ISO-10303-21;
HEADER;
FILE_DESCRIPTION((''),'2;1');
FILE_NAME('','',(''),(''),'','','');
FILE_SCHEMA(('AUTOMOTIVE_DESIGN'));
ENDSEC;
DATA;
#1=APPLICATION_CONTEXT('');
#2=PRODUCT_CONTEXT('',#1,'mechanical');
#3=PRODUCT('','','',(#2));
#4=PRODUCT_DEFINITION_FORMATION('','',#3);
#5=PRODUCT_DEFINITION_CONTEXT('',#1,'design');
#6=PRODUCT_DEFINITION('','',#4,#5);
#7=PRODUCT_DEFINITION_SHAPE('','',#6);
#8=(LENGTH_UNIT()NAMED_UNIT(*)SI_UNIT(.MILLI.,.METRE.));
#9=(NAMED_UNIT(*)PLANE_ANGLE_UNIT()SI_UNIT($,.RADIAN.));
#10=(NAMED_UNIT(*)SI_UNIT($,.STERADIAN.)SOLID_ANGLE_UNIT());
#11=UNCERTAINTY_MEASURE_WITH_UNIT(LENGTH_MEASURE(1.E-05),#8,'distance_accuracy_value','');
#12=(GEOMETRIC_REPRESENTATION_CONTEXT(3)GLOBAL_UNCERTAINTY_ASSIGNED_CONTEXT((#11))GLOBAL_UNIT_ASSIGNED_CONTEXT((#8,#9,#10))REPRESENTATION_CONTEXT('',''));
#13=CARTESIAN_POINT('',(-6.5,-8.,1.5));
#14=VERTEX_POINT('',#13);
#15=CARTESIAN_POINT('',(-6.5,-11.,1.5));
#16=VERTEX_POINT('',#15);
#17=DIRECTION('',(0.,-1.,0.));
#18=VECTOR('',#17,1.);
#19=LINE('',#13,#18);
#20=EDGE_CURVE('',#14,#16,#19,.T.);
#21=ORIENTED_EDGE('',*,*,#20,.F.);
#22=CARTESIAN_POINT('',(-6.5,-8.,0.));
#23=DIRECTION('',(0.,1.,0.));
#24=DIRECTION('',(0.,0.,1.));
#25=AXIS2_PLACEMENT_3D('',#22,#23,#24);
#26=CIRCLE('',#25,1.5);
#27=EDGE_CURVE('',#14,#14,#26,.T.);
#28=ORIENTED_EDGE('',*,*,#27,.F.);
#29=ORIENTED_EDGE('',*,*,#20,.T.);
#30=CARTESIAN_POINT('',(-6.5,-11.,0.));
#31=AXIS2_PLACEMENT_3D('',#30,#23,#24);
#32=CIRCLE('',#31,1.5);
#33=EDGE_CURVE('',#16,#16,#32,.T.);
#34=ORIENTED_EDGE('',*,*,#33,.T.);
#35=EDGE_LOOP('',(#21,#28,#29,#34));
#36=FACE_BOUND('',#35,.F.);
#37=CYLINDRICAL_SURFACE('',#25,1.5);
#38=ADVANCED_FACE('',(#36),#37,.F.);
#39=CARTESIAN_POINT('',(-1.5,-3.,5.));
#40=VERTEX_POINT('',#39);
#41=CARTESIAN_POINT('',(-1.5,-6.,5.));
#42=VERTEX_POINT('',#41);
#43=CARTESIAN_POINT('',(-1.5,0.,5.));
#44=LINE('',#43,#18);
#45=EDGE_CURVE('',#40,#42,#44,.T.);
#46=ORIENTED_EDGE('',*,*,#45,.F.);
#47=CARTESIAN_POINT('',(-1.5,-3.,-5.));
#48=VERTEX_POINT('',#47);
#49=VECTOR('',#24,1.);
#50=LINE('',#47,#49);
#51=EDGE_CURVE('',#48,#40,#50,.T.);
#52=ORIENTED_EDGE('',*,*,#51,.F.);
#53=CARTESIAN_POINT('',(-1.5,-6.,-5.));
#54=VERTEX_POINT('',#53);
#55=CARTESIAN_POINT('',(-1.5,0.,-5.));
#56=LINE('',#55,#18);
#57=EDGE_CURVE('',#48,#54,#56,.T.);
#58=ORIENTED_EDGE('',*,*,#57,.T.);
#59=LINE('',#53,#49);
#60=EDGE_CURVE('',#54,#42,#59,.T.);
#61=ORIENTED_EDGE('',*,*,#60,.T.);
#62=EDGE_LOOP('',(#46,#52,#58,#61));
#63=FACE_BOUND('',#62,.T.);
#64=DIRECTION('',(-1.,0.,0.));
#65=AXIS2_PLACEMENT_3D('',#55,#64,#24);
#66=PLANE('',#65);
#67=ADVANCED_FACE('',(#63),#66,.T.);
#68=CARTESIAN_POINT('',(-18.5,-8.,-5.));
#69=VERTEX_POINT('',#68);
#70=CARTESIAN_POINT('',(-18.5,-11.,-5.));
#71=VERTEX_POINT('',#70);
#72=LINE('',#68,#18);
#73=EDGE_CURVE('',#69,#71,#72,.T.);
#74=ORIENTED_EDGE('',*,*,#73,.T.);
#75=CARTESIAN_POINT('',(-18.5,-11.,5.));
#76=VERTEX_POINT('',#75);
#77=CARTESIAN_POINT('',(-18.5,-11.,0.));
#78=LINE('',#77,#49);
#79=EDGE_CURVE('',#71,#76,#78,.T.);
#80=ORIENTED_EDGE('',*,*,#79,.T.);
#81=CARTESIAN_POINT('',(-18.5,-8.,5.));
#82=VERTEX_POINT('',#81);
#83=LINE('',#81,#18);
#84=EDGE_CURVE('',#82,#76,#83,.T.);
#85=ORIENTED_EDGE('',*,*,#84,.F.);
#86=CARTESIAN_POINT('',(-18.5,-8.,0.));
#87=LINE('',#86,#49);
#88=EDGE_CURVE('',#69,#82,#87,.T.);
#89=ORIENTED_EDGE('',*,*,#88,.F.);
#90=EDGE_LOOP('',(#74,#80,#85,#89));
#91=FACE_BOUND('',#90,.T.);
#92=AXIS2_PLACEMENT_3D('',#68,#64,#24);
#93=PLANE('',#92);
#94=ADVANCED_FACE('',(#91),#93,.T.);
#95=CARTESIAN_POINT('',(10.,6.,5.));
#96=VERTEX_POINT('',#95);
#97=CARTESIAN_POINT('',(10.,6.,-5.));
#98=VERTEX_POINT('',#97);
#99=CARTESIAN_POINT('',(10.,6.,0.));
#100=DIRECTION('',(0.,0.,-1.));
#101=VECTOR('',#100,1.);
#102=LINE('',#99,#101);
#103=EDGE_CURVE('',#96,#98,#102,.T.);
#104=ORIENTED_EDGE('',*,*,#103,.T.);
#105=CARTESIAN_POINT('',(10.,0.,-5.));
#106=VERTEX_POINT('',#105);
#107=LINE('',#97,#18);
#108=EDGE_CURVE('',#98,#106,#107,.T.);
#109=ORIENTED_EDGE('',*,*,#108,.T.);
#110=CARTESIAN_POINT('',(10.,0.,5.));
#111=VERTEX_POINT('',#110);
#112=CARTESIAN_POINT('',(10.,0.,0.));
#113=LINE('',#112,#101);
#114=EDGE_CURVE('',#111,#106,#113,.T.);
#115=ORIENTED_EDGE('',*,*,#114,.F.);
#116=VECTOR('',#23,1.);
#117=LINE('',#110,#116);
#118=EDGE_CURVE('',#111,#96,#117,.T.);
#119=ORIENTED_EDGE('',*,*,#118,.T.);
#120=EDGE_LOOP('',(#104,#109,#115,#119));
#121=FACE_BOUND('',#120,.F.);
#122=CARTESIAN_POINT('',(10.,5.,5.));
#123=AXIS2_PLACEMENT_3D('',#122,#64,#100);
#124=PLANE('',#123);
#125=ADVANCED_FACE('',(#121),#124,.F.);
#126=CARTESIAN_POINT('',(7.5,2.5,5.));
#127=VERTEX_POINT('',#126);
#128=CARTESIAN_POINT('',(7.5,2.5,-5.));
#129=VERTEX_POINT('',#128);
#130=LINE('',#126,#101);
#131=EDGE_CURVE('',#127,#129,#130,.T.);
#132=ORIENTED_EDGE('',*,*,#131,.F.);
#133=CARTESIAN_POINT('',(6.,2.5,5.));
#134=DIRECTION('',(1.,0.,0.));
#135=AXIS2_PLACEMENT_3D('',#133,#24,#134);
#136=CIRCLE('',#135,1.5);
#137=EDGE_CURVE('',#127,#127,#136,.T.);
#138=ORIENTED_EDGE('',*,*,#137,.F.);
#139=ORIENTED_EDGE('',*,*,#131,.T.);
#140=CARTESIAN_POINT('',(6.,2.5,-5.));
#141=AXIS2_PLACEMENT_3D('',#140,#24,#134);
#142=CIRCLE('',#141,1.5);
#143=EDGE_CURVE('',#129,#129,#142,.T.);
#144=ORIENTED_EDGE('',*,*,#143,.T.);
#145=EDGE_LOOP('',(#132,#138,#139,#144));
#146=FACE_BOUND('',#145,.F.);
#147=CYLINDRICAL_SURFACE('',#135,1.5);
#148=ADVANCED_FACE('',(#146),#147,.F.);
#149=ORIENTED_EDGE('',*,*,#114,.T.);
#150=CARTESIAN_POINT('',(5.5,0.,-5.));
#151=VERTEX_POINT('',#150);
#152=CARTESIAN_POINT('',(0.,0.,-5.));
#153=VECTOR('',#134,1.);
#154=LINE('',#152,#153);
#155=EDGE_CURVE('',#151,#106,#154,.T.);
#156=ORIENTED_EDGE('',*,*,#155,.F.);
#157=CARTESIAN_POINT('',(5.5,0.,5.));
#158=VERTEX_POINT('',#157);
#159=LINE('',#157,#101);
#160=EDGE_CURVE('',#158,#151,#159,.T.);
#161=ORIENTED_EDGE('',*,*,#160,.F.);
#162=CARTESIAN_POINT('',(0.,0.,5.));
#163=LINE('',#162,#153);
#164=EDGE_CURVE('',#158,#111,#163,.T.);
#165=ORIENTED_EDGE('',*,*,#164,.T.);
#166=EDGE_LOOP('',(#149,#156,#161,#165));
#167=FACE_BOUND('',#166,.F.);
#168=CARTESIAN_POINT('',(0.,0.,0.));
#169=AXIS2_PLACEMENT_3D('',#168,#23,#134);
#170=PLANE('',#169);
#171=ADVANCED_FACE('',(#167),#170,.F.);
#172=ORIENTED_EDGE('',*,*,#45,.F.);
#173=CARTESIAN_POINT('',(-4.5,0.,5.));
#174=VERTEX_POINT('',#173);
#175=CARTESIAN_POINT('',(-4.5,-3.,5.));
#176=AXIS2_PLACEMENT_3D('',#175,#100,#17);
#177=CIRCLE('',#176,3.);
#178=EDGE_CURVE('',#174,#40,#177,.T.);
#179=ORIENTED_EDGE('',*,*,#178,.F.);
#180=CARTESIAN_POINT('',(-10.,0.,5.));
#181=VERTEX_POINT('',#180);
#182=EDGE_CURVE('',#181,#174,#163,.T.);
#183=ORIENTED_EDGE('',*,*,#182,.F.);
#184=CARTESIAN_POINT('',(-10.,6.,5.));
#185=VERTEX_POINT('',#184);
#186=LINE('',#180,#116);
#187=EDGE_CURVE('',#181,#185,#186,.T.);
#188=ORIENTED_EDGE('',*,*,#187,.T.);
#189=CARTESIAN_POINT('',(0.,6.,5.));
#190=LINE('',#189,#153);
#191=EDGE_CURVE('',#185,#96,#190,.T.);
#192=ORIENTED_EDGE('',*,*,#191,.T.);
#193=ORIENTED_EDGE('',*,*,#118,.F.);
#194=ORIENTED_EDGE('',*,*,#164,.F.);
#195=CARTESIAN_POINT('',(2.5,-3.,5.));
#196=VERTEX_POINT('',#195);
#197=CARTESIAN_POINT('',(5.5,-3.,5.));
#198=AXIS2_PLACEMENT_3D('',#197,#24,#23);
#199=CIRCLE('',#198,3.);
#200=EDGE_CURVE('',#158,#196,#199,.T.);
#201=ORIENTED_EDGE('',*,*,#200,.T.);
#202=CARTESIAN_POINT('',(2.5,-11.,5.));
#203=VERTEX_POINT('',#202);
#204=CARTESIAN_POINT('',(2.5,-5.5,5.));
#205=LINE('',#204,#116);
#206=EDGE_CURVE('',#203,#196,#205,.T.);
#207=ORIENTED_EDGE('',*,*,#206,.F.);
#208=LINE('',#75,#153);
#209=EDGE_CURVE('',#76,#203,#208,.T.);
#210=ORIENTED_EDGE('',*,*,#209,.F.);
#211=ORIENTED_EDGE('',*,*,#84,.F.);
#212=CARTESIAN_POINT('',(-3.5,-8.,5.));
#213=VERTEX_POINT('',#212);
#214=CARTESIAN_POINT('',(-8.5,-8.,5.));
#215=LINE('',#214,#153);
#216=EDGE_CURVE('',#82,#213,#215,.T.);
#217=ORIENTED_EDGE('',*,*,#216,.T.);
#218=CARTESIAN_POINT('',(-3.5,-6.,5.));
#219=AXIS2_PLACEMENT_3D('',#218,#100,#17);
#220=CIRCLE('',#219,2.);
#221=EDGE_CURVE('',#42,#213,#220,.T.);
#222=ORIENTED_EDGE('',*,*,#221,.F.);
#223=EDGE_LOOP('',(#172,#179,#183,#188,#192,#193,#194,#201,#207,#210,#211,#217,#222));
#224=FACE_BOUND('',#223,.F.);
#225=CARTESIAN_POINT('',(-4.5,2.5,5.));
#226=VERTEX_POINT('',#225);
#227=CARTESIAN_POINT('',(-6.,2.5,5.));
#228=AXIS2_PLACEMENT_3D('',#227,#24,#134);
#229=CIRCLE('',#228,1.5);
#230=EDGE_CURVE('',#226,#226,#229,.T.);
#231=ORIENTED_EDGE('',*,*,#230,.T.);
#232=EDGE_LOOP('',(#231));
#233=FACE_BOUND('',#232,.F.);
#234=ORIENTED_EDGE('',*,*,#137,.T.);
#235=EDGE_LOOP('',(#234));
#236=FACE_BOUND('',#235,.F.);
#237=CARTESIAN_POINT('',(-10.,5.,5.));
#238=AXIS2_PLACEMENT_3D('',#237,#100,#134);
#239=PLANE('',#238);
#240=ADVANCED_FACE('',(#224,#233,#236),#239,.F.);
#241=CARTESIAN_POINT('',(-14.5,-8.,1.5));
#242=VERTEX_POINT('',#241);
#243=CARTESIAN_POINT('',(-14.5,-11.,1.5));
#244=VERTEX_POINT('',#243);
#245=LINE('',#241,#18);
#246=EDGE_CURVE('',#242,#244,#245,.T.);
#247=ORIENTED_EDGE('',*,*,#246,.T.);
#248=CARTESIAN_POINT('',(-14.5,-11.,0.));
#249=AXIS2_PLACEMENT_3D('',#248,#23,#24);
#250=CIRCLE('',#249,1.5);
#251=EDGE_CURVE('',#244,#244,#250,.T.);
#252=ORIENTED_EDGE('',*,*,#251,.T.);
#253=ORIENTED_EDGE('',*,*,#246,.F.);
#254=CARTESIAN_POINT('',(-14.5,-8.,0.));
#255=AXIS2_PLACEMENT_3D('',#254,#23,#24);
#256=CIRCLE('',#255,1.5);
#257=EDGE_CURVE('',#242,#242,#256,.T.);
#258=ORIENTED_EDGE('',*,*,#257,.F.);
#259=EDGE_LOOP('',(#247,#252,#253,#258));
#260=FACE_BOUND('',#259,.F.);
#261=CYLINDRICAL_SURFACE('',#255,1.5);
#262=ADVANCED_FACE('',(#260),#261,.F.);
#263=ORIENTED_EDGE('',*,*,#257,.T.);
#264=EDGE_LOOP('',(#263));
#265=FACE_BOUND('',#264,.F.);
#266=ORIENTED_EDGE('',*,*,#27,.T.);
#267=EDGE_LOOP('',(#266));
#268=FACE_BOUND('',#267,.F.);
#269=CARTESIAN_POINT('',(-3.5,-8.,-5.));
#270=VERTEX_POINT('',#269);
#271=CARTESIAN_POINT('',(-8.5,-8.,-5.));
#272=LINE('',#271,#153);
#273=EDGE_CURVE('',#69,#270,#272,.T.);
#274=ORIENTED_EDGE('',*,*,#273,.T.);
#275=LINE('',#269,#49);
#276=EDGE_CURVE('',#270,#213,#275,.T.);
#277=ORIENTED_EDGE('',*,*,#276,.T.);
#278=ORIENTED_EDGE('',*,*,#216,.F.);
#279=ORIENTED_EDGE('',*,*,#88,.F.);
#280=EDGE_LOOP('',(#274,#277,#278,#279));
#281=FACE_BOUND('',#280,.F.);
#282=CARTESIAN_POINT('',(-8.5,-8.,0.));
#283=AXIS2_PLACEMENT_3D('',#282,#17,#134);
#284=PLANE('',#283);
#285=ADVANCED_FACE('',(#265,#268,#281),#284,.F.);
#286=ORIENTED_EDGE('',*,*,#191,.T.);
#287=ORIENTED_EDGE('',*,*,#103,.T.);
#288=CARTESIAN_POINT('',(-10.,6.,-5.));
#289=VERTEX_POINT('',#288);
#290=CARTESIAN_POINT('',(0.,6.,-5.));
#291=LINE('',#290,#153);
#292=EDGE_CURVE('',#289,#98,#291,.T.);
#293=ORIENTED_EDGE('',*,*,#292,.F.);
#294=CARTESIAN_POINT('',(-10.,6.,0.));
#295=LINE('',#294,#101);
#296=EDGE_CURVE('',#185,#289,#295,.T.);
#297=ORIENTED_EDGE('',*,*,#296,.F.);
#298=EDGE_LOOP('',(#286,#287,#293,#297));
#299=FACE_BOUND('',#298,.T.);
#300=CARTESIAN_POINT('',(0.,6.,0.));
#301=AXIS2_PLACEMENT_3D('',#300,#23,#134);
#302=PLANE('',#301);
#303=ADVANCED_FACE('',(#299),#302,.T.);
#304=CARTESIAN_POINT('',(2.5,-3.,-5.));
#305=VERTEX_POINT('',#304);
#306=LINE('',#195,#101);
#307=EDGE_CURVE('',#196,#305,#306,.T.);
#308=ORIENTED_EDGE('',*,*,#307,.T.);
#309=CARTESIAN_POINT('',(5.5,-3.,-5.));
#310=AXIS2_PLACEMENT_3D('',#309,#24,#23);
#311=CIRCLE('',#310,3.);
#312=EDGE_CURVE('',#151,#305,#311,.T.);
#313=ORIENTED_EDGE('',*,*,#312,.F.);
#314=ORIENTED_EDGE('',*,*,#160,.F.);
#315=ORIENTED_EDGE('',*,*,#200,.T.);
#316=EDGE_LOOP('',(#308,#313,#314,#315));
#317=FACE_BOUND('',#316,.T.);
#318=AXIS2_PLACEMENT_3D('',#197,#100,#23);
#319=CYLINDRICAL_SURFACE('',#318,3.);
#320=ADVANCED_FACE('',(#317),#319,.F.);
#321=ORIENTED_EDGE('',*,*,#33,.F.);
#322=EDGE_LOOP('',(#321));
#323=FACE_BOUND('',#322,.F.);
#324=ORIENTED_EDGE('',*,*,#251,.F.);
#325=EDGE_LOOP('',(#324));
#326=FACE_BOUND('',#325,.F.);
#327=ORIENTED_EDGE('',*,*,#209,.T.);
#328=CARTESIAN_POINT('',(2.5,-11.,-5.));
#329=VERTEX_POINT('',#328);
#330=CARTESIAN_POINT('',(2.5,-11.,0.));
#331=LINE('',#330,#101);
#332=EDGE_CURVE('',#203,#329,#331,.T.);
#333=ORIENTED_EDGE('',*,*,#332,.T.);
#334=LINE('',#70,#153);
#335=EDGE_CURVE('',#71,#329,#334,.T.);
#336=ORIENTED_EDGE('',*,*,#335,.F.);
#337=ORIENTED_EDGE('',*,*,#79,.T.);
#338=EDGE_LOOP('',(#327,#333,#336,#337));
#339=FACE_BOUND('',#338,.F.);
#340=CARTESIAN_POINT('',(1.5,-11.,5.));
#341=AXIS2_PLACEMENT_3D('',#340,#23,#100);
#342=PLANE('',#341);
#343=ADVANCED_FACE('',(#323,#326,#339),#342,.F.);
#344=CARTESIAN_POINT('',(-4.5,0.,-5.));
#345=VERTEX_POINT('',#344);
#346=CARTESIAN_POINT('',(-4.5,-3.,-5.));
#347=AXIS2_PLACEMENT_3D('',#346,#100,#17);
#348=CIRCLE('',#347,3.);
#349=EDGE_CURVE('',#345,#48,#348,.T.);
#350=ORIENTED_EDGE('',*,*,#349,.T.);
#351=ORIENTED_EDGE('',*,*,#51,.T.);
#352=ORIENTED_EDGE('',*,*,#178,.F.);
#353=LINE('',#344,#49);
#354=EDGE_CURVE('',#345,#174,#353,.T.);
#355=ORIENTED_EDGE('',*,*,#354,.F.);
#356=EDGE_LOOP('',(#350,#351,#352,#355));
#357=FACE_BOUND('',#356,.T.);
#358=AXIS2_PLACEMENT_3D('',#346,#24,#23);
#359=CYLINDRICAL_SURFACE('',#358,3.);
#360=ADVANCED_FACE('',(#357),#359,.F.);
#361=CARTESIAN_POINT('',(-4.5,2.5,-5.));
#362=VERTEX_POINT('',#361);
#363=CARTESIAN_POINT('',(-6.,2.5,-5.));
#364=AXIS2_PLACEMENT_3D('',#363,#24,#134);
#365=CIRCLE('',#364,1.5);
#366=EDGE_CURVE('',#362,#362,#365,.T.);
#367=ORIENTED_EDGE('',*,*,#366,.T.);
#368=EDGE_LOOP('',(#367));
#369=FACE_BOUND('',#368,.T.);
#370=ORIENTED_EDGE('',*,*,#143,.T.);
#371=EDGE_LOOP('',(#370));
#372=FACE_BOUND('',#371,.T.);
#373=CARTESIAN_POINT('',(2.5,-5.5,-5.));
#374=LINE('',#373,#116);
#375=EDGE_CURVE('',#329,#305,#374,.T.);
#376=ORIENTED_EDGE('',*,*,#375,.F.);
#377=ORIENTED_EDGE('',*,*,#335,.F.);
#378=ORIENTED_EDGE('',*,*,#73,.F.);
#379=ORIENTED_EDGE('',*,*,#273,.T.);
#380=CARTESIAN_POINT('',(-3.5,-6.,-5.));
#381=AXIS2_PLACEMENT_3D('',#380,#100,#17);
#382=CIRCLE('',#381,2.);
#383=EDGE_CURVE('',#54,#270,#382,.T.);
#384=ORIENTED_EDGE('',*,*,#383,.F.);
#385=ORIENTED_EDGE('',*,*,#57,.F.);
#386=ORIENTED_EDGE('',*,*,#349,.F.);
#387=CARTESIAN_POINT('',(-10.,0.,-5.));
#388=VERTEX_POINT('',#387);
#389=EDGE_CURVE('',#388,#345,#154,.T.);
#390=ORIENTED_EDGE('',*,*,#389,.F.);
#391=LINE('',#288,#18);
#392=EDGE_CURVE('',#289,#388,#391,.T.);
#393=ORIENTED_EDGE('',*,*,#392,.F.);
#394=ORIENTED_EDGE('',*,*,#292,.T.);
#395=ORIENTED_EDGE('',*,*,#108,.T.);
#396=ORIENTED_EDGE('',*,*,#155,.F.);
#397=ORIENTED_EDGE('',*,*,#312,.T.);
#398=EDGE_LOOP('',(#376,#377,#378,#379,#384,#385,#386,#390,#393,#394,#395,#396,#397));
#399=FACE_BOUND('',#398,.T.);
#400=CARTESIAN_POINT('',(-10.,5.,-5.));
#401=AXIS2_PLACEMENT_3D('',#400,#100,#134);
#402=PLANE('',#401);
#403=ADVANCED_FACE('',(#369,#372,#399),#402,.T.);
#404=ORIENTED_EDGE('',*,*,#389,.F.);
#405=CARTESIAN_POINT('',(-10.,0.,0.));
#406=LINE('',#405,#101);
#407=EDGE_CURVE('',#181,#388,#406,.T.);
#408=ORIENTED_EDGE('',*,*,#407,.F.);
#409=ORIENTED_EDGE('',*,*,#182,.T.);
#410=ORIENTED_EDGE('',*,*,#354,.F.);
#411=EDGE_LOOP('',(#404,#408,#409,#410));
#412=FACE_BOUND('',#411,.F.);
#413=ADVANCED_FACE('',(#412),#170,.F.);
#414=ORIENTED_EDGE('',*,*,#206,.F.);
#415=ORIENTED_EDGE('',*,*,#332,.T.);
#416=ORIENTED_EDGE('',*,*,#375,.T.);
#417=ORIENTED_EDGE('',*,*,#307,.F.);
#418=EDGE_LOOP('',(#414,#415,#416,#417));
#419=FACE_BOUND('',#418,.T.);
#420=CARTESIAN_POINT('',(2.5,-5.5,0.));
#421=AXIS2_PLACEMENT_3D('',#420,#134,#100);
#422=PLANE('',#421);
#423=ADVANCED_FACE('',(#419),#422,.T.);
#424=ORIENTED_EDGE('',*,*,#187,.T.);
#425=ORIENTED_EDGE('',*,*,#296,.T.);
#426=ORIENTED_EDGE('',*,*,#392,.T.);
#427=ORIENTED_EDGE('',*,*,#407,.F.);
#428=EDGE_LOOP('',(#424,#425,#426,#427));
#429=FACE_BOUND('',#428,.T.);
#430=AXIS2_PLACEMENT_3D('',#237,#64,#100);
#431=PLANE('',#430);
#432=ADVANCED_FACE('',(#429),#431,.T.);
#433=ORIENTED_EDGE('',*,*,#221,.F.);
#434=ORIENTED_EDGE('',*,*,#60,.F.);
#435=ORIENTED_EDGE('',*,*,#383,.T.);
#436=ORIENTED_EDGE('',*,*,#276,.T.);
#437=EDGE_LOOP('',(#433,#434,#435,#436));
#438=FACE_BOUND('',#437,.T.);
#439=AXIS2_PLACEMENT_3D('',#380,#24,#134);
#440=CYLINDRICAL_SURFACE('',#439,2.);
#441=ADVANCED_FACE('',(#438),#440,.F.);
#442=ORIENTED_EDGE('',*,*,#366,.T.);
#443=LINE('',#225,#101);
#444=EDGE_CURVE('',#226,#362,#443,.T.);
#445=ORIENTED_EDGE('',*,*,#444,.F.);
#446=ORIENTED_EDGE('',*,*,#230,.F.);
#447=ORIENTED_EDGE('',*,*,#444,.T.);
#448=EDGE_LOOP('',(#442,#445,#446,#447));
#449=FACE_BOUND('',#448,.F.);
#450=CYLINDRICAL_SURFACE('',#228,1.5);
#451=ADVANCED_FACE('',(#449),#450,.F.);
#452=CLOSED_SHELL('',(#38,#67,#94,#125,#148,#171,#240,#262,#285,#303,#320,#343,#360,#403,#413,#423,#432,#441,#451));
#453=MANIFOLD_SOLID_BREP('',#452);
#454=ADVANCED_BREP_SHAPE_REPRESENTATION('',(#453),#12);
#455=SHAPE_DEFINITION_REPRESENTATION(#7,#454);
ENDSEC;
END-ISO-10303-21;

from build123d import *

# Parameters (mm, degrees)
SKETCH_1_W          = 20
SKETCH_1_H          = 10
EXTRUDE_1_DEPTH     = 5
SKETCH_2_R          = 1.5
CUT_EXTRUDE_1_DEPTH = 16
SKETCH_3_W          = 3
SKETCH_3_H          = 10
EXTRUDE_2_DEPTH     = 8
SKETCH_6_W          = 20
SKETCH_6_H          = 10
EXTRUDE_4_DEPTH     = 3
SKETCH_7_R          = 1.5
CUT_EXTRUDE_3_DEPTH = 24.157072354
FILLET_2_R          = 3
FILLET_4_R          = 2
SKETCH_11_W         = 10
SKETCH_11_H         = 11
EXTRUDE_7_DEPTH     = 1
FILLET_8_R          = 3
SKETCH_12_W         = 20
SKETCH_12_H         = 10
EXTRUDE_8_DEPTH     = 1


with BuildPart() as part:
    # 草图1 → 凸台-拉伸1 (new body)
    with BuildSketch(Plane(origin=(0, 0, 0), x_dir=(1, 0, 0), z_dir=(0, 1, 0))):
        Rectangle(SKETCH_1_W, SKETCH_1_H)
    extrude(amount=EXTRUDE_1_DEPTH)

    # 草图2 → 切除-拉伸1 (cut, through all)
    with BuildSketch(Plane.XY.offset(5)):
        with Locations((-6, 2.5)):
            Circle(SKETCH_2_R)
        with Locations((6, 2.5)):
            Circle(SKETCH_2_R)
    extrude(amount=-CUT_EXTRUDE_1_DEPTH, mode=Mode.SUBTRACT)

    # 草图3 → 凸台-拉伸2 (add)
    with BuildSketch(Plane.XZ):
        Rectangle(SKETCH_3_W, SKETCH_3_H)
    extrude(amount=EXTRUDE_2_DEPTH)

    # 草图6 → 凸台-拉伸4 (add)
    with BuildSketch(Plane.XZ.offset(8)):
        with Locations((-8.5, 0)):
            Rectangle(SKETCH_6_W, SKETCH_6_H)
    extrude(amount=EXTRUDE_4_DEPTH)

    # 草图7 → 切除-拉伸3 (cut, through all)
    with BuildSketch(Plane(origin=(0, -8, 0), x_dir=(1, 0, 0), z_dir=(0, 1, 0))):
        with Locations(Location((-14.5, 0, 0), (0, 0, 270))):
            Circle(SKETCH_7_R)
        with Locations(Location((-6.5, 0, 0), (0, 0, 270))):
            Circle(SKETCH_7_R)
    extrude(amount=-CUT_EXTRUDE_3_DEPTH, mode=Mode.SUBTRACT)

    # 圆角2
    fillet_2_edges = [part.edges().sort_by_distance(p)[0] for p in [
        (-1.5, 0, 0),
    ]]
    fillet(fillet_2_edges, radius=FILLET_2_R)

    # 圆角4
    fillet_4_edges = [part.edges().sort_by_distance(p)[0] for p in [
        (-1.5, -8, 0),
    ]]
    fillet(fillet_4_edges, radius=FILLET_4_R)

    # 草图11 → 凸台-拉伸7 (add)
    with BuildSketch(Plane(origin=(1.5, 0, 0), x_dir=(0, 0, -1), z_dir=(1, 0, 0))):
        with Locations((0, -5.5)):
            Rectangle(SKETCH_11_W, SKETCH_11_H)
    extrude(amount=EXTRUDE_7_DEPTH)

    # 圆角8
    fillet_8_edges = [part.edges().sort_by_distance(p)[0] for p in [
        (2.5, 0, 0),
    ]]
    fillet(fillet_8_edges, radius=FILLET_8_R)

    # 草图12 → 凸台-拉伸8 (add)
    with BuildSketch(Plane(origin=(0, 5, 0), x_dir=(1, 0, 0), z_dir=(0, 1, 0))):
        Rectangle(SKETCH_12_W, SKETCH_12_H)
    extrude(amount=EXTRUDE_8_DEPTH)


solid = part.part
